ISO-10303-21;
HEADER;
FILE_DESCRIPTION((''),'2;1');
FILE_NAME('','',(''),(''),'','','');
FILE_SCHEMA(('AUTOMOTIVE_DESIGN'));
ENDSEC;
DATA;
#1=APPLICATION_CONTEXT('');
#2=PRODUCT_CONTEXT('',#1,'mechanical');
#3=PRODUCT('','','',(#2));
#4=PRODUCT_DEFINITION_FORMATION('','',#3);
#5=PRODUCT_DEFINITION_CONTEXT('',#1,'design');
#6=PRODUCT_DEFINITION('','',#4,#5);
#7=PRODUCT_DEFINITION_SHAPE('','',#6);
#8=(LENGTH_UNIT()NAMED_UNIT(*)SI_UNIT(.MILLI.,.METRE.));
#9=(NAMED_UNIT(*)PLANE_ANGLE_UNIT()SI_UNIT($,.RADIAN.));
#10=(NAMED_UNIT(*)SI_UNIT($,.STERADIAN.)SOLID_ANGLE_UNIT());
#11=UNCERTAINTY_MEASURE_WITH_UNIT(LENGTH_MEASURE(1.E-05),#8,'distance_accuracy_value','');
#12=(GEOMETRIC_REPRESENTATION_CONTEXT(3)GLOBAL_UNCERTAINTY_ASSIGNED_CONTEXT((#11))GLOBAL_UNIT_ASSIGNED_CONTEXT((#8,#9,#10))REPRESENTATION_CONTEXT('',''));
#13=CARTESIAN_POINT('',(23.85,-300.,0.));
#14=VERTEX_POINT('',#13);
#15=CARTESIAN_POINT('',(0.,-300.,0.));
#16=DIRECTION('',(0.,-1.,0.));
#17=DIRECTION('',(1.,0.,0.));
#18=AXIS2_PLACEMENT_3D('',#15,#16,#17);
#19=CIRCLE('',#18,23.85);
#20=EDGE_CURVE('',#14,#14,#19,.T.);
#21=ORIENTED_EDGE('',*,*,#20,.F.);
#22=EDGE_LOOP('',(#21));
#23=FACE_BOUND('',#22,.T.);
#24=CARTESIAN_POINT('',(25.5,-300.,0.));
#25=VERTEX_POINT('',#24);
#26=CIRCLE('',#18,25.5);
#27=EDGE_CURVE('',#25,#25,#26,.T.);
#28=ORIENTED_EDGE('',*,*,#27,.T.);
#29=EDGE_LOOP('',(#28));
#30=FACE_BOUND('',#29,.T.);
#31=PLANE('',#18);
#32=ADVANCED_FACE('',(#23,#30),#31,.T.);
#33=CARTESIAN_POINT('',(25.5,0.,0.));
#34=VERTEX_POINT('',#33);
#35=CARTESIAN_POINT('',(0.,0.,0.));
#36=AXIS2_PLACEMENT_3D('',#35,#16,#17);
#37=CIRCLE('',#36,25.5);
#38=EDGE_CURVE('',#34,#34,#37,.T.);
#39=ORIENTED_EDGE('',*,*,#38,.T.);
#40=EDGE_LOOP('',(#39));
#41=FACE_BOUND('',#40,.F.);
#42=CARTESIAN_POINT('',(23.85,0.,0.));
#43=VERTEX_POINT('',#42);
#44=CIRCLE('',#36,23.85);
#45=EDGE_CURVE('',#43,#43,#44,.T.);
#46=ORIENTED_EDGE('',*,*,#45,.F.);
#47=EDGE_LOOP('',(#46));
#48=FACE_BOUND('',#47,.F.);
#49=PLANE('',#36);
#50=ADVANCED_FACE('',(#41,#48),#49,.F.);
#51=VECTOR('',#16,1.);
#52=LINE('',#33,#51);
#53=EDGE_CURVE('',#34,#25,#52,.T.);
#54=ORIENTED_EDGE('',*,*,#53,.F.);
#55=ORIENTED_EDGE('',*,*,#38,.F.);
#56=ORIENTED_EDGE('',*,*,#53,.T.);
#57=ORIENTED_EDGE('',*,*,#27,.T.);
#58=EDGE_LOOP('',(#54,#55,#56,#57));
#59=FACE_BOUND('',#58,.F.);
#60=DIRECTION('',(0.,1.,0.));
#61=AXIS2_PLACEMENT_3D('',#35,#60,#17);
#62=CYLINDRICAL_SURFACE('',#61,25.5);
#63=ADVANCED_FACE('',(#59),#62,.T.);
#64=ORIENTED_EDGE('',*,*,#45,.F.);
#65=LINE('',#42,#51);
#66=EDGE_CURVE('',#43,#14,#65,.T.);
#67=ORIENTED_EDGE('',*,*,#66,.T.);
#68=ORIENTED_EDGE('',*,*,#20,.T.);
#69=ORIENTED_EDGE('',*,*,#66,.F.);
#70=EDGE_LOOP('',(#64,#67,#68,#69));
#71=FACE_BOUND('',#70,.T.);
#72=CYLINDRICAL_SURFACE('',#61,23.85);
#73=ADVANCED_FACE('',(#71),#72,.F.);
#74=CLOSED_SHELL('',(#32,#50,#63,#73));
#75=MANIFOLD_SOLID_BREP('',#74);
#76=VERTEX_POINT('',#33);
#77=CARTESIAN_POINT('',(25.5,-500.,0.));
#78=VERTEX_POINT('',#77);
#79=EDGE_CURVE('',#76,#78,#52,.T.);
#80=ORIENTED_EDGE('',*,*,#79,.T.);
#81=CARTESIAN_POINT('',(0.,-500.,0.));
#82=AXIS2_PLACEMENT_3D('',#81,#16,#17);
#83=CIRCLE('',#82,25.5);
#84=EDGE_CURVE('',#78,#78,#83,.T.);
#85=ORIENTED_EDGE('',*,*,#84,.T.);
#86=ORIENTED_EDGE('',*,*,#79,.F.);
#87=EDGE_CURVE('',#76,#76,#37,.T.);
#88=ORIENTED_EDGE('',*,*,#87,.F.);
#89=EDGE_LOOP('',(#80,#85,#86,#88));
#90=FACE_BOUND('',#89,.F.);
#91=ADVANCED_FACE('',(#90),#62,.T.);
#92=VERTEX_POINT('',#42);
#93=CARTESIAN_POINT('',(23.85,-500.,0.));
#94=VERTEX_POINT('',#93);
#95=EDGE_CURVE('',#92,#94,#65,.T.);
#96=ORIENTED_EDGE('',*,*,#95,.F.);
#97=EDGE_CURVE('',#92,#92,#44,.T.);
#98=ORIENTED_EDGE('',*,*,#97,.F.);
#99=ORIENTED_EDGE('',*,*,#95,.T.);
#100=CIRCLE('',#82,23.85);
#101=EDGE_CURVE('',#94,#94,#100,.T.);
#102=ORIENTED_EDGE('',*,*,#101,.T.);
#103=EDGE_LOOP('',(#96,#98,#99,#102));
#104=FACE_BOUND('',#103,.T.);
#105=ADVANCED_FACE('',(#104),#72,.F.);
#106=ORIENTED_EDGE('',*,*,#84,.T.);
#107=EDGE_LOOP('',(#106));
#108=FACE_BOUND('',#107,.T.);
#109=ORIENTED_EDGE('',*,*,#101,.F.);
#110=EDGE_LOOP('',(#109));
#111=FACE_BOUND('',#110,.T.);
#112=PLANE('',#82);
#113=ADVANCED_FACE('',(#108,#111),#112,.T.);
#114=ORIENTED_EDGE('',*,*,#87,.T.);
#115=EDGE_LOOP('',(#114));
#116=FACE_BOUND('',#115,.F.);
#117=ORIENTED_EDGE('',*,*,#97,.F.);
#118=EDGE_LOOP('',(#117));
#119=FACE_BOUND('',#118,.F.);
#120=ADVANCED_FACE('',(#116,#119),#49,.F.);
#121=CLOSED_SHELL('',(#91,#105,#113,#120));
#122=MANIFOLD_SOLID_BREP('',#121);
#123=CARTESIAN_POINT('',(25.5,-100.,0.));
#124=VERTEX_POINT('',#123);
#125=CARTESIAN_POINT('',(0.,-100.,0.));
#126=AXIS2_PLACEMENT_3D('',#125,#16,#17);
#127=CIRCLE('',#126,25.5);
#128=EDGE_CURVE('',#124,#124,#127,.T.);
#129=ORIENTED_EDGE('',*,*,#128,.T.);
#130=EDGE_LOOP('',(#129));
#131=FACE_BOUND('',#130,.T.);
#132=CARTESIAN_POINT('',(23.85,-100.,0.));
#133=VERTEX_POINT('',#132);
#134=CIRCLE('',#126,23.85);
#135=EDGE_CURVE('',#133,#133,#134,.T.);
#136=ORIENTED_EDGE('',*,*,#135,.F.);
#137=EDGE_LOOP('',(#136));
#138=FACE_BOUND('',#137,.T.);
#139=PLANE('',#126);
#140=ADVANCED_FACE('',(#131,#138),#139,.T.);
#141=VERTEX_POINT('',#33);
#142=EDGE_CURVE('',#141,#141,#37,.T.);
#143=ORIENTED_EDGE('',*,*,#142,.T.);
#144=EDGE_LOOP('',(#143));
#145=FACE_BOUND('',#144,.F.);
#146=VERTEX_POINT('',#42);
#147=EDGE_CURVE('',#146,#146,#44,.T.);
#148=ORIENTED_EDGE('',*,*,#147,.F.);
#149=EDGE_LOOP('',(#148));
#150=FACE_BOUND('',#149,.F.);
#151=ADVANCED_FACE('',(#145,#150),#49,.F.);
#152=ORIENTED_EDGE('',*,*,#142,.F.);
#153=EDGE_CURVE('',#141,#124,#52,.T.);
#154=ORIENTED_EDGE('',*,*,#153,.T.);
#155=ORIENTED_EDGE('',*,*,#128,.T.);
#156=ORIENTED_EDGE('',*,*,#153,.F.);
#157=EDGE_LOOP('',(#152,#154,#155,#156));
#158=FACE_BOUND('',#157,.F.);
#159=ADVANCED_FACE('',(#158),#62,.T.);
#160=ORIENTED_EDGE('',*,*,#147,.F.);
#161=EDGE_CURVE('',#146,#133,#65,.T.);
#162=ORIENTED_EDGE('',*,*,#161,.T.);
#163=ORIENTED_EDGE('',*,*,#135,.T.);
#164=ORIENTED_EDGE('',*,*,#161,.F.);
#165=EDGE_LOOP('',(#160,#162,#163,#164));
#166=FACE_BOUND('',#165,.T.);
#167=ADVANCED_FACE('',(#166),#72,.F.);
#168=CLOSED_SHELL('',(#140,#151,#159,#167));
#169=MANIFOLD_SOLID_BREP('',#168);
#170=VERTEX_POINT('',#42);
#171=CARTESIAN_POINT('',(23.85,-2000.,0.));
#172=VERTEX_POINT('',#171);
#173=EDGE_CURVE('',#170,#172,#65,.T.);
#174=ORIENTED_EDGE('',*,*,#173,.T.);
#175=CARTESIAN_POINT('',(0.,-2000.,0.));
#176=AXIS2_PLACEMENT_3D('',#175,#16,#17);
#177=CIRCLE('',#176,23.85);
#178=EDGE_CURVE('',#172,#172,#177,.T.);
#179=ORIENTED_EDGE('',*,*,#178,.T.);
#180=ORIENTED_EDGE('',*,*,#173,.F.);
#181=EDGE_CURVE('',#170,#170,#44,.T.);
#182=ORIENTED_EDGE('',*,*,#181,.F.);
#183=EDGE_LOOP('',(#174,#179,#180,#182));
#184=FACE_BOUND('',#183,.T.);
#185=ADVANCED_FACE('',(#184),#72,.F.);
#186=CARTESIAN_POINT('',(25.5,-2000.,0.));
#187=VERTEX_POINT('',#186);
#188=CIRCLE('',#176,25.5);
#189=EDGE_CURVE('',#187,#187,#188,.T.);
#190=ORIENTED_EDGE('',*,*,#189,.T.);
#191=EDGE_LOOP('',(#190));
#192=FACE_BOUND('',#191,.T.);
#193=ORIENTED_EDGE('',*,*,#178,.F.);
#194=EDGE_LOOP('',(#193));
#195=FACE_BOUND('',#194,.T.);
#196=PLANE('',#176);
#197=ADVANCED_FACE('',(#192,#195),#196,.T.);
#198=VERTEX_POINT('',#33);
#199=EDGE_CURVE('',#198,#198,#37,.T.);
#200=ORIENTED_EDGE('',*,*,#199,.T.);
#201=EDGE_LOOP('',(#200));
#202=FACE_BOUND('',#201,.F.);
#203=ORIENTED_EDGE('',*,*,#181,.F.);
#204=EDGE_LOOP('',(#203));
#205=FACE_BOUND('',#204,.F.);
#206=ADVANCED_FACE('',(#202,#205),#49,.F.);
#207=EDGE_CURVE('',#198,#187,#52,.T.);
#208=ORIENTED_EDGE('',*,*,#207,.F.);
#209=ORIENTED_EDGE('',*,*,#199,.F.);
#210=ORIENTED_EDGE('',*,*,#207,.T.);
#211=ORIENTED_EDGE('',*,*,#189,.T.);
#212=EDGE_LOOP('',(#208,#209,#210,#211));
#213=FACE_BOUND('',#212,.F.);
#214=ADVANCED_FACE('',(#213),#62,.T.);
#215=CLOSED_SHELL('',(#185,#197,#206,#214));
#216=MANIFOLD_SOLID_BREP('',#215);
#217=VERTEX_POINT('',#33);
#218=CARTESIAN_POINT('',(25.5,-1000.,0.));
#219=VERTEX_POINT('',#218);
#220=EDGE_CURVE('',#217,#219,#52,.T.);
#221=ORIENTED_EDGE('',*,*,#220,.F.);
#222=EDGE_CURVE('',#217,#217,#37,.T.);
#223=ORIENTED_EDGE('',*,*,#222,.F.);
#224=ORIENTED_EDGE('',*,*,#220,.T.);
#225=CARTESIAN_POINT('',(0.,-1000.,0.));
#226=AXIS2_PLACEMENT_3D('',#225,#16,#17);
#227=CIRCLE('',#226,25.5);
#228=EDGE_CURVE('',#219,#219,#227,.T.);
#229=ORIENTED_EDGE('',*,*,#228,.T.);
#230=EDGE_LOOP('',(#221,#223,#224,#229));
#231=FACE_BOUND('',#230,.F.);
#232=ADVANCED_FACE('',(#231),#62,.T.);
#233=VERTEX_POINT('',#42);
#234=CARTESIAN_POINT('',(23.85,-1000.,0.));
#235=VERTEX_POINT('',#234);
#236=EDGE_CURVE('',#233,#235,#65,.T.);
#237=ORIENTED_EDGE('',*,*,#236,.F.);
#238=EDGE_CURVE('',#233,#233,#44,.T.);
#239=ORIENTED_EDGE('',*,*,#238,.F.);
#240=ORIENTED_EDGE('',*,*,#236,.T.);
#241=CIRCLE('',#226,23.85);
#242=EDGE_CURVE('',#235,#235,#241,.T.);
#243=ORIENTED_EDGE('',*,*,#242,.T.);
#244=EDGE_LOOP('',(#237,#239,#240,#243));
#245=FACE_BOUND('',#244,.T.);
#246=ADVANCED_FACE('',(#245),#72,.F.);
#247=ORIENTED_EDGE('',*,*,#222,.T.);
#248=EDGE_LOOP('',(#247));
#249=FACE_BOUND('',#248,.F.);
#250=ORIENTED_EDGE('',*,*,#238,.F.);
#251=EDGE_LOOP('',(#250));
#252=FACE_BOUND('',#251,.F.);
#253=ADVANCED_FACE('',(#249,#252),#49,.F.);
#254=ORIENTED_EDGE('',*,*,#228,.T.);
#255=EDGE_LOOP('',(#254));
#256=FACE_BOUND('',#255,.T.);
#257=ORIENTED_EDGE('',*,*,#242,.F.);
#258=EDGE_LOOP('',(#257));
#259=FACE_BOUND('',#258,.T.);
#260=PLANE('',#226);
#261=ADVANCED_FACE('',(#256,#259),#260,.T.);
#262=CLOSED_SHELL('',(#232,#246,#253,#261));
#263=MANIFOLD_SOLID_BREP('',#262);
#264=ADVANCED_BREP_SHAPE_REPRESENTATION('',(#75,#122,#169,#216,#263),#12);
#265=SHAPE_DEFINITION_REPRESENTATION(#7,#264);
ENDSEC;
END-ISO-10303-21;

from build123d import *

# Parameters (mm, degrees)
F0_R     = 25.5
F0_R_2   = 23.85
F1_DEPTH = 1000
F2_DEPTH = 500
F3_DEPTH = 300
F4_DEPTH = 100
F5_DEPTH = 2000


with BuildPart() as f1:
    # F0 (on Front) → F1 (new body)
    with BuildSketch(Plane.XZ):
        Circle(F0_R)
        Circle(F0_R_2, mode=Mode.SUBTRACT)
    extrude(amount=F1_DEPTH)


with BuildPart() as f2:
    # F0 (on Front) → F2 (new body)
    with BuildSketch(Plane.XZ):
        Circle(F0_R)
        Circle(F0_R_2, mode=Mode.SUBTRACT)
    extrude(amount=F2_DEPTH)


with BuildPart() as f3:
    # F0 (on Front) → F3 (new body)
    with BuildSketch(Plane.XZ):
        Circle(F0_R)
        Circle(F0_R_2, mode=Mode.SUBTRACT)
    extrude(amount=F3_DEPTH)


with BuildPart() as f4:
    # F0 (on Front) → F4 (new body)
    with BuildSketch(Plane.XZ):
        Circle(F0_R)
        Circle(F0_R_2, mode=Mode.SUBTRACT)
    extrude(amount=F4_DEPTH)


with BuildPart() as f5:
    # F0 (on Front) → F5 (new body)
    with BuildSketch(Plane.XZ):
        Circle(F0_R)
        Circle(F0_R_2, mode=Mode.SUBTRACT)
    extrude(amount=F5_DEPTH)


solid = Compound([f1.part, f2.part, f3.part, f4.part, f5.part])
